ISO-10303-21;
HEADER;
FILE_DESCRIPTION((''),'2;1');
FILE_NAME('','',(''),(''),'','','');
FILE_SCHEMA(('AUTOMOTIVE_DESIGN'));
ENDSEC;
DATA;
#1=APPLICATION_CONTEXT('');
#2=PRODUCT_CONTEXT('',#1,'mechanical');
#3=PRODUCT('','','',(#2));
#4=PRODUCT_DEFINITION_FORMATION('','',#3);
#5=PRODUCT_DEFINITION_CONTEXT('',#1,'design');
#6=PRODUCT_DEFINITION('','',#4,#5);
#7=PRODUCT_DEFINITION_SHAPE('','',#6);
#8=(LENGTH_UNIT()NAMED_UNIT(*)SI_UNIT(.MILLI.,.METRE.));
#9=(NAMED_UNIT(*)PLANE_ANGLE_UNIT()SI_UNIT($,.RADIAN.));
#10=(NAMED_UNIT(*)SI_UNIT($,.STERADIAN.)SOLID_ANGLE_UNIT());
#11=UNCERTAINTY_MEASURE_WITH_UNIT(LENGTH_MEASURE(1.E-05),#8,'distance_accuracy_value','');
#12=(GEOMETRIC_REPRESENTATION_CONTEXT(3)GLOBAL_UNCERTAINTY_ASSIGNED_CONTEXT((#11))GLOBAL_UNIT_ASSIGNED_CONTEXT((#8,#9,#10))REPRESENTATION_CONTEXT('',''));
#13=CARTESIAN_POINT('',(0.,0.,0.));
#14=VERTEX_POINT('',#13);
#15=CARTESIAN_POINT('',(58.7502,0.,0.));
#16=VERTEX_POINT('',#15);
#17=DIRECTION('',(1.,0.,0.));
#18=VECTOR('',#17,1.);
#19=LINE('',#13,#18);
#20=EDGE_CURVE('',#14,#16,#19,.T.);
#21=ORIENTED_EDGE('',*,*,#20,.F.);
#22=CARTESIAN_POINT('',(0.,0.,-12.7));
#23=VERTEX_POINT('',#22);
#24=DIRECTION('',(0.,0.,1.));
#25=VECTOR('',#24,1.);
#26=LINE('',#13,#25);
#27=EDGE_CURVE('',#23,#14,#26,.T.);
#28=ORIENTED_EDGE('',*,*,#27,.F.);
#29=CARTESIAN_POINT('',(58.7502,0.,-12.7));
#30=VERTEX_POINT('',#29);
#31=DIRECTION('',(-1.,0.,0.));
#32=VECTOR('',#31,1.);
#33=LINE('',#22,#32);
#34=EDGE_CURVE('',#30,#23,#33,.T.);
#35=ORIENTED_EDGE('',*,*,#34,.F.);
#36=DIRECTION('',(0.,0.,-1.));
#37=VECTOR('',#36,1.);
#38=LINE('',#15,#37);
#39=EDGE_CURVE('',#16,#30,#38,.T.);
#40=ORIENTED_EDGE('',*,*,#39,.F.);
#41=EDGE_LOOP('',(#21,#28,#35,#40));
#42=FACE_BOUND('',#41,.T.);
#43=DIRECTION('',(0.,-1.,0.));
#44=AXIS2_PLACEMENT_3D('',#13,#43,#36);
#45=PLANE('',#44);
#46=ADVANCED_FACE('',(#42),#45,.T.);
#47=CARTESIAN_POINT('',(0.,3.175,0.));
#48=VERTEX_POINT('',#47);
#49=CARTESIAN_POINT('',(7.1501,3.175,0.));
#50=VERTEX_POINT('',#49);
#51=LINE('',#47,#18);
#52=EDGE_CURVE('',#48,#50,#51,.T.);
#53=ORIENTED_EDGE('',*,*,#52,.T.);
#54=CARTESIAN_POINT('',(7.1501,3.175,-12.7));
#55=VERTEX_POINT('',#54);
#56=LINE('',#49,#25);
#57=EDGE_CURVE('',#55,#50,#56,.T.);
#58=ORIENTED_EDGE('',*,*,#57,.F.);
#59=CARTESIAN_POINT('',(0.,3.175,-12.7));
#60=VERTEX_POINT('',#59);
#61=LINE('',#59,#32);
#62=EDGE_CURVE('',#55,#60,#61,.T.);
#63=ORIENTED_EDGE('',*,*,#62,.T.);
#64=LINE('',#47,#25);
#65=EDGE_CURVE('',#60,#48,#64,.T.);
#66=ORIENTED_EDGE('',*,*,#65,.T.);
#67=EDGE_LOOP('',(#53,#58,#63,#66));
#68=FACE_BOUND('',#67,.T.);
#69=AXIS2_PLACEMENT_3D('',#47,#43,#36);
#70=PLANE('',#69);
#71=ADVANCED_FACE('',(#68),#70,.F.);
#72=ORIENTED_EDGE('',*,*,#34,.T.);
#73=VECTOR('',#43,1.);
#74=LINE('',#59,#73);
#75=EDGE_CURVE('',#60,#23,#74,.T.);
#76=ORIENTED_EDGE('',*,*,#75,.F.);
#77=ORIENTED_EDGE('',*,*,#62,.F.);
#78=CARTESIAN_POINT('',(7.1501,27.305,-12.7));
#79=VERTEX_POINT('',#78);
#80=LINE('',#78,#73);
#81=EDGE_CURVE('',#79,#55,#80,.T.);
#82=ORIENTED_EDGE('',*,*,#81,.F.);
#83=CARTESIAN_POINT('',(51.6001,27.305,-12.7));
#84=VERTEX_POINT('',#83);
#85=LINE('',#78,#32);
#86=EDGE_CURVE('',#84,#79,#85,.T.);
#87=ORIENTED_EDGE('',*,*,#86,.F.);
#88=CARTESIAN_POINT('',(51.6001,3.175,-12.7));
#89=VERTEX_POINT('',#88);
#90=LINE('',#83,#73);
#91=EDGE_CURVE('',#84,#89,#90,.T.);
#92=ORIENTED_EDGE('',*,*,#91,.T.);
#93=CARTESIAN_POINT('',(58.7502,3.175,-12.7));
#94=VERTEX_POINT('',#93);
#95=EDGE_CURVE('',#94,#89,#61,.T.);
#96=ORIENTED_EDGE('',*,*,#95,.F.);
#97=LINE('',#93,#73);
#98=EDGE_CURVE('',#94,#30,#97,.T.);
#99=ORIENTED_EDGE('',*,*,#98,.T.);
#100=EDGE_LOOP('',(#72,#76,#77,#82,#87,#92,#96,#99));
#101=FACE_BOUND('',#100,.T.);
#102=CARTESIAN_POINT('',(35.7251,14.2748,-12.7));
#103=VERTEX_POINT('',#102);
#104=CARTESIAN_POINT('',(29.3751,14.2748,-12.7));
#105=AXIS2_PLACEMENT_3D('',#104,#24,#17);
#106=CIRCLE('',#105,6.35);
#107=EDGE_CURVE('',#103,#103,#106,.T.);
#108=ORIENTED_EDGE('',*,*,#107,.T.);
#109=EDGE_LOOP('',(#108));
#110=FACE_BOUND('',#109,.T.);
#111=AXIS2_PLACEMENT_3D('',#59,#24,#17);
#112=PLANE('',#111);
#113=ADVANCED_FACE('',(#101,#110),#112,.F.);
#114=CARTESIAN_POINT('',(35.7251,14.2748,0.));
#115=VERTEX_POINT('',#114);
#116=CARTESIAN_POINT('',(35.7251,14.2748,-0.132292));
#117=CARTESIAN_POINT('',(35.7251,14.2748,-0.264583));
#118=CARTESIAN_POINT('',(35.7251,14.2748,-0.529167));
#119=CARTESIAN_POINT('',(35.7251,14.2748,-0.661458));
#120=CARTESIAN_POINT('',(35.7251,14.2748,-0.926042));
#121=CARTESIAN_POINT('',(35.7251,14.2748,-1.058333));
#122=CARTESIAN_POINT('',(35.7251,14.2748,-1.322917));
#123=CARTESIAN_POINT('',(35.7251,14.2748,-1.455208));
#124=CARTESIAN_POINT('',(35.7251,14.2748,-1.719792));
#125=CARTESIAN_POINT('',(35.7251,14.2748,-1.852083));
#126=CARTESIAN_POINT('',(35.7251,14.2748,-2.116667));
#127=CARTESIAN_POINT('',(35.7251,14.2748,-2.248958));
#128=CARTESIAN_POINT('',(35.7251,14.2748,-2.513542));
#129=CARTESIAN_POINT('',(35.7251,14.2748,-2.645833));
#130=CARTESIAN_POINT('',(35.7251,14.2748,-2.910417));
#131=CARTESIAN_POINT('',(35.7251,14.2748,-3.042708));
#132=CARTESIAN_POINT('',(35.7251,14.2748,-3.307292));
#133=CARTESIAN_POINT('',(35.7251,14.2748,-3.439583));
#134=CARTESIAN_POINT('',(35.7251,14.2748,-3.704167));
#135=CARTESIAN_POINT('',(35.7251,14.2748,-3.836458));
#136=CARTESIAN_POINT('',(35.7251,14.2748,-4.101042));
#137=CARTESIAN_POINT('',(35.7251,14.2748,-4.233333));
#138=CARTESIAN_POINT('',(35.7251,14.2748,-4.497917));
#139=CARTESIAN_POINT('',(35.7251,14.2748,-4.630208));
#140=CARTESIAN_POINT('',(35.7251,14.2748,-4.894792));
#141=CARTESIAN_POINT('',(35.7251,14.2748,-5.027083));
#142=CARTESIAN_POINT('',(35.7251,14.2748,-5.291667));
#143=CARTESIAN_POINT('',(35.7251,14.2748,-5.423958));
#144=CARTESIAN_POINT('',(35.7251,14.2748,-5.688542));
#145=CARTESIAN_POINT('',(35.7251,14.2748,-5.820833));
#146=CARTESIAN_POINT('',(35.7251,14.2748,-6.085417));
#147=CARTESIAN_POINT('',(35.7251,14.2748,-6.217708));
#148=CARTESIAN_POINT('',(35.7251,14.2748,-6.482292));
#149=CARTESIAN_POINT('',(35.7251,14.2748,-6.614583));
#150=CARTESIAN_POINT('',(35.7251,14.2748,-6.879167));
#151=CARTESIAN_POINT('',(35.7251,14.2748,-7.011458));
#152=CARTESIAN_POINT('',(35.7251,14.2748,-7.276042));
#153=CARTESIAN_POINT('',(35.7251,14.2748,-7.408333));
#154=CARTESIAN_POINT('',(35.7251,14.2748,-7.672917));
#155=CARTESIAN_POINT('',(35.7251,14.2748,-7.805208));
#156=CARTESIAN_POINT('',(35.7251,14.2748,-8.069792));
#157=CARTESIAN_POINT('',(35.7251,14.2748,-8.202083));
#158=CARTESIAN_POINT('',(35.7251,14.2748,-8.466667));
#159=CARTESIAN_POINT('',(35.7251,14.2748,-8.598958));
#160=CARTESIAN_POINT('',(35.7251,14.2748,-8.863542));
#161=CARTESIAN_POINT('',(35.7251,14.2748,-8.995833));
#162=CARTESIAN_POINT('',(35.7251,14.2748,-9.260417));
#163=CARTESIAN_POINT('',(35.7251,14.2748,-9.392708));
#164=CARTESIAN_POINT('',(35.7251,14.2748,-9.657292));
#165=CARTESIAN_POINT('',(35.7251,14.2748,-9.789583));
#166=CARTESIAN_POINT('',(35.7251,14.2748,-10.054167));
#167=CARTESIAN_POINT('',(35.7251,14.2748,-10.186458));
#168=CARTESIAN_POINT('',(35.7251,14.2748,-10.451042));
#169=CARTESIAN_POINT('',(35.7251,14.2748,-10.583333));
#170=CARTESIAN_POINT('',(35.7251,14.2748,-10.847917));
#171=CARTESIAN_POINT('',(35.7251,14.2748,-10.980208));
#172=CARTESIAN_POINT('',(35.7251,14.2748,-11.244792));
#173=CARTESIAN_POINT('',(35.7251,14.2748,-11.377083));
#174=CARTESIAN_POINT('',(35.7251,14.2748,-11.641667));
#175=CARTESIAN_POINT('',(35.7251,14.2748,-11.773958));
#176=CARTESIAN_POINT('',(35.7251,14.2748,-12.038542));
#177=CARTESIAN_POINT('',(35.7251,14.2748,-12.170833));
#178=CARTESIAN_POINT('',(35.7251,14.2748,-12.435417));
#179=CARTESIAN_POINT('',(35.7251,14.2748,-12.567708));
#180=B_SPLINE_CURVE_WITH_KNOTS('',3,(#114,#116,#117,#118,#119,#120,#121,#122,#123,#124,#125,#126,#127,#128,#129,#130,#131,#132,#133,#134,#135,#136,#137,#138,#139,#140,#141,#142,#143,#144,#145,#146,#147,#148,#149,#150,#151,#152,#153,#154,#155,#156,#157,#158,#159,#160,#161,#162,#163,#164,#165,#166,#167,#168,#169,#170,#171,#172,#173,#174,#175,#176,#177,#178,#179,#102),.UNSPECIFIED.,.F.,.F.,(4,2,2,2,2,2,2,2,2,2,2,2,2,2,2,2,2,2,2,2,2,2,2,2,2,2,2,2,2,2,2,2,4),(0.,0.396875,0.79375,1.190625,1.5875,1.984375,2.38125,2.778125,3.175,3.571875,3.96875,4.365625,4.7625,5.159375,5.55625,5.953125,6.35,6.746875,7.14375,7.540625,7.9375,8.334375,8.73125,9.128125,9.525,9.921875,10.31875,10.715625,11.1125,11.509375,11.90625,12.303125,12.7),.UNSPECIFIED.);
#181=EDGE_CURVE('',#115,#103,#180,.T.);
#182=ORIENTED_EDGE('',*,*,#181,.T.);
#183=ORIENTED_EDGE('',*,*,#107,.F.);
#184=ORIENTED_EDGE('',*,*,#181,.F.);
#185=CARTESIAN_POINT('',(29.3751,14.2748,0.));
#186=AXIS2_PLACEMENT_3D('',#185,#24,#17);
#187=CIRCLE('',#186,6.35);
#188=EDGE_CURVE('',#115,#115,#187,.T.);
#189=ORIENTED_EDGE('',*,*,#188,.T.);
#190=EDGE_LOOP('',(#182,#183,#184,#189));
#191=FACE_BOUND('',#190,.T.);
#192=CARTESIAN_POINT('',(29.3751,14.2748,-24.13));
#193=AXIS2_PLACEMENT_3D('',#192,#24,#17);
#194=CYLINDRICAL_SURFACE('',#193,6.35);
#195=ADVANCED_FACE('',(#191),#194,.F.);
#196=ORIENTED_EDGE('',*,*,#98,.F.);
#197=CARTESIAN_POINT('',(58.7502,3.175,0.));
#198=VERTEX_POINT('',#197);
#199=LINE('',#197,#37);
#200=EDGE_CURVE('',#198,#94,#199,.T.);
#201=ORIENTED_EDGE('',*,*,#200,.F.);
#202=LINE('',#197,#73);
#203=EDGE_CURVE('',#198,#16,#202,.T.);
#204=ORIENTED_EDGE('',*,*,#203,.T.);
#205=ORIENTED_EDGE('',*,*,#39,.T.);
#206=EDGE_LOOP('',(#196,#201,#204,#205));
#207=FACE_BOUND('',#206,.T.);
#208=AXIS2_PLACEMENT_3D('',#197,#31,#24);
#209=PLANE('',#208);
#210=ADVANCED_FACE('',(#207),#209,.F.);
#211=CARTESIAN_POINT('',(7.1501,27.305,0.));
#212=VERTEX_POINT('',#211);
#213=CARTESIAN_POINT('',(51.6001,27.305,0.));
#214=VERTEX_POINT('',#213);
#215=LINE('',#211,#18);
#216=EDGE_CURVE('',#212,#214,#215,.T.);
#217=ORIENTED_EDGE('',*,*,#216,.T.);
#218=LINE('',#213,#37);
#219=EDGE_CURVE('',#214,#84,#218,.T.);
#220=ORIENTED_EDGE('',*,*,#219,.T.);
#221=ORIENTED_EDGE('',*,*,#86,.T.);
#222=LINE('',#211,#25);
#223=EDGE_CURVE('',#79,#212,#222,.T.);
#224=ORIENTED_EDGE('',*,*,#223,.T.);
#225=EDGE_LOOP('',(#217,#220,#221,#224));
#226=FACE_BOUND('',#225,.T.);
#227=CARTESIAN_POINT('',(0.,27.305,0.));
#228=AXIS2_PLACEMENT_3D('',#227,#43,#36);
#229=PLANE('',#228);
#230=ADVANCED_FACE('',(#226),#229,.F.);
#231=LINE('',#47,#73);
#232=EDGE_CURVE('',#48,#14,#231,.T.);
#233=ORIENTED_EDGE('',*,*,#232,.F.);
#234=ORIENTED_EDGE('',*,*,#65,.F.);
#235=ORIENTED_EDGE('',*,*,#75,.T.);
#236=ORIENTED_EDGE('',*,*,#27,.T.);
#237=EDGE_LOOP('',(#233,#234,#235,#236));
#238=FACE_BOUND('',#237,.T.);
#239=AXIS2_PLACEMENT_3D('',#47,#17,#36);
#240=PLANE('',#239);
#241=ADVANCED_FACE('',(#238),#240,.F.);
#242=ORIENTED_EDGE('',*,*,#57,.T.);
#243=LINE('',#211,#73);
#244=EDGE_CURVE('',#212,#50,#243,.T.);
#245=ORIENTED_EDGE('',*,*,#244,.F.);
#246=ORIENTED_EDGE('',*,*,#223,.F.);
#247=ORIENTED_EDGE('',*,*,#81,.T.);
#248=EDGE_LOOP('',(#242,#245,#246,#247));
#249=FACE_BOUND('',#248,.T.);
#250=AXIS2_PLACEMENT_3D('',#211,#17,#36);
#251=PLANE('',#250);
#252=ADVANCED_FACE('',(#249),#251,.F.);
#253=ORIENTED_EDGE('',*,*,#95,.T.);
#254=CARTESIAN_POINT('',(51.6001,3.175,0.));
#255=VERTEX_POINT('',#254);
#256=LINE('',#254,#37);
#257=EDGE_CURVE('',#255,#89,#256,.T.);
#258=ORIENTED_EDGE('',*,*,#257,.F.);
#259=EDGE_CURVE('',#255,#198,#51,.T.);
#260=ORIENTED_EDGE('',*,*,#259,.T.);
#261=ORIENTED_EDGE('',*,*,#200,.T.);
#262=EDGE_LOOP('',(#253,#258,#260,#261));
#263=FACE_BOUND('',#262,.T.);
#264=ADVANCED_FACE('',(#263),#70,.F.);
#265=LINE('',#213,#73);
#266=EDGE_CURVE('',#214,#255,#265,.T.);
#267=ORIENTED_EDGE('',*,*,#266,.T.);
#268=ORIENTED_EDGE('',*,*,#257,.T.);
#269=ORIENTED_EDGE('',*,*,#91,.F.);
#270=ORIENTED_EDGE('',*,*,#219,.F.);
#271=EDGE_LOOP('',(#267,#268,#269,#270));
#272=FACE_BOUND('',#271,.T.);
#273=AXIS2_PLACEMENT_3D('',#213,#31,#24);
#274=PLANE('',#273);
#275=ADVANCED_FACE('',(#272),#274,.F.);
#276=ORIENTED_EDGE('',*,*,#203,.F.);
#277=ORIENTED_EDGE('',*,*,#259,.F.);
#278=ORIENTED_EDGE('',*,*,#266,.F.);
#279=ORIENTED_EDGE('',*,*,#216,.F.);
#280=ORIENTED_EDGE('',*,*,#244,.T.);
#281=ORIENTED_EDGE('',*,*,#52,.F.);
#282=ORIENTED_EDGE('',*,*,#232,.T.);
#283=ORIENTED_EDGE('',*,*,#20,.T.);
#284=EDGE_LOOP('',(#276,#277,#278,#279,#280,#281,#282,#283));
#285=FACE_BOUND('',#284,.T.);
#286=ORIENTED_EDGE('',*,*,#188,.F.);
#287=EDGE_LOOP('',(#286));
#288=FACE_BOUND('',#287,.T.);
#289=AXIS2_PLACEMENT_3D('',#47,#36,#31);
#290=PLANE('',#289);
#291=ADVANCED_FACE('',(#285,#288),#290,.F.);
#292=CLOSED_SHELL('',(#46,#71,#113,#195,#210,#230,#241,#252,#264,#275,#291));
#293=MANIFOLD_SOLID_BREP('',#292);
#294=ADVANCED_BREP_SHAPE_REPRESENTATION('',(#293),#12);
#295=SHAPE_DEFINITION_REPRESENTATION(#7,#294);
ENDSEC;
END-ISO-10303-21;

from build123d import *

# Parameters (mm, degrees)
SKETCH1_W           = 58.7502
SKETCH1_H           = 12.7
BOSS_EXTRUDE1_DEPTH = 3.175
SKETCH2_W           = 44.45
SKETCH2_H           = 12.7
BOSS_EXTRUDE2_DEPTH = 24.13
SKETCH3_R           = 6.35
CUT_EXTRUDE1_DEPTH  = 24.13


with BuildPart() as part:
    # Sketch1 → Boss-Extrude1 (new body)
    with BuildSketch(Plane(origin=(0, 0, 0), x_dir=(1, 0, 0), z_dir=(0, 1, 0))):
        with Locations((29.3751, 6.35)):
            Rectangle(SKETCH1_W, SKETCH1_H)
    extrude(amount=BOSS_EXTRUDE1_DEPTH)

    # Sketch2 → Boss-Extrude2 (add)
    with BuildSketch(Plane(origin=(0, 3.175, 0), x_dir=(1, 0, 0), z_dir=(0, 1, 0))):
        with Locations((29.3751, 6.35)):
            Rectangle(SKETCH2_W, SKETCH2_H)
    extrude(amount=BOSS_EXTRUDE2_DEPTH)

    # Sketch3 → Cut-Extrude1 (cut)
    with BuildSketch(Plane.XY):
        with Locations((29.3751, 14.2748)):
            Circle(SKETCH3_R)
    extrude(amount=-CUT_EXTRUDE1_DEPTH, mode=Mode.SUBTRACT)


solid = part.part
